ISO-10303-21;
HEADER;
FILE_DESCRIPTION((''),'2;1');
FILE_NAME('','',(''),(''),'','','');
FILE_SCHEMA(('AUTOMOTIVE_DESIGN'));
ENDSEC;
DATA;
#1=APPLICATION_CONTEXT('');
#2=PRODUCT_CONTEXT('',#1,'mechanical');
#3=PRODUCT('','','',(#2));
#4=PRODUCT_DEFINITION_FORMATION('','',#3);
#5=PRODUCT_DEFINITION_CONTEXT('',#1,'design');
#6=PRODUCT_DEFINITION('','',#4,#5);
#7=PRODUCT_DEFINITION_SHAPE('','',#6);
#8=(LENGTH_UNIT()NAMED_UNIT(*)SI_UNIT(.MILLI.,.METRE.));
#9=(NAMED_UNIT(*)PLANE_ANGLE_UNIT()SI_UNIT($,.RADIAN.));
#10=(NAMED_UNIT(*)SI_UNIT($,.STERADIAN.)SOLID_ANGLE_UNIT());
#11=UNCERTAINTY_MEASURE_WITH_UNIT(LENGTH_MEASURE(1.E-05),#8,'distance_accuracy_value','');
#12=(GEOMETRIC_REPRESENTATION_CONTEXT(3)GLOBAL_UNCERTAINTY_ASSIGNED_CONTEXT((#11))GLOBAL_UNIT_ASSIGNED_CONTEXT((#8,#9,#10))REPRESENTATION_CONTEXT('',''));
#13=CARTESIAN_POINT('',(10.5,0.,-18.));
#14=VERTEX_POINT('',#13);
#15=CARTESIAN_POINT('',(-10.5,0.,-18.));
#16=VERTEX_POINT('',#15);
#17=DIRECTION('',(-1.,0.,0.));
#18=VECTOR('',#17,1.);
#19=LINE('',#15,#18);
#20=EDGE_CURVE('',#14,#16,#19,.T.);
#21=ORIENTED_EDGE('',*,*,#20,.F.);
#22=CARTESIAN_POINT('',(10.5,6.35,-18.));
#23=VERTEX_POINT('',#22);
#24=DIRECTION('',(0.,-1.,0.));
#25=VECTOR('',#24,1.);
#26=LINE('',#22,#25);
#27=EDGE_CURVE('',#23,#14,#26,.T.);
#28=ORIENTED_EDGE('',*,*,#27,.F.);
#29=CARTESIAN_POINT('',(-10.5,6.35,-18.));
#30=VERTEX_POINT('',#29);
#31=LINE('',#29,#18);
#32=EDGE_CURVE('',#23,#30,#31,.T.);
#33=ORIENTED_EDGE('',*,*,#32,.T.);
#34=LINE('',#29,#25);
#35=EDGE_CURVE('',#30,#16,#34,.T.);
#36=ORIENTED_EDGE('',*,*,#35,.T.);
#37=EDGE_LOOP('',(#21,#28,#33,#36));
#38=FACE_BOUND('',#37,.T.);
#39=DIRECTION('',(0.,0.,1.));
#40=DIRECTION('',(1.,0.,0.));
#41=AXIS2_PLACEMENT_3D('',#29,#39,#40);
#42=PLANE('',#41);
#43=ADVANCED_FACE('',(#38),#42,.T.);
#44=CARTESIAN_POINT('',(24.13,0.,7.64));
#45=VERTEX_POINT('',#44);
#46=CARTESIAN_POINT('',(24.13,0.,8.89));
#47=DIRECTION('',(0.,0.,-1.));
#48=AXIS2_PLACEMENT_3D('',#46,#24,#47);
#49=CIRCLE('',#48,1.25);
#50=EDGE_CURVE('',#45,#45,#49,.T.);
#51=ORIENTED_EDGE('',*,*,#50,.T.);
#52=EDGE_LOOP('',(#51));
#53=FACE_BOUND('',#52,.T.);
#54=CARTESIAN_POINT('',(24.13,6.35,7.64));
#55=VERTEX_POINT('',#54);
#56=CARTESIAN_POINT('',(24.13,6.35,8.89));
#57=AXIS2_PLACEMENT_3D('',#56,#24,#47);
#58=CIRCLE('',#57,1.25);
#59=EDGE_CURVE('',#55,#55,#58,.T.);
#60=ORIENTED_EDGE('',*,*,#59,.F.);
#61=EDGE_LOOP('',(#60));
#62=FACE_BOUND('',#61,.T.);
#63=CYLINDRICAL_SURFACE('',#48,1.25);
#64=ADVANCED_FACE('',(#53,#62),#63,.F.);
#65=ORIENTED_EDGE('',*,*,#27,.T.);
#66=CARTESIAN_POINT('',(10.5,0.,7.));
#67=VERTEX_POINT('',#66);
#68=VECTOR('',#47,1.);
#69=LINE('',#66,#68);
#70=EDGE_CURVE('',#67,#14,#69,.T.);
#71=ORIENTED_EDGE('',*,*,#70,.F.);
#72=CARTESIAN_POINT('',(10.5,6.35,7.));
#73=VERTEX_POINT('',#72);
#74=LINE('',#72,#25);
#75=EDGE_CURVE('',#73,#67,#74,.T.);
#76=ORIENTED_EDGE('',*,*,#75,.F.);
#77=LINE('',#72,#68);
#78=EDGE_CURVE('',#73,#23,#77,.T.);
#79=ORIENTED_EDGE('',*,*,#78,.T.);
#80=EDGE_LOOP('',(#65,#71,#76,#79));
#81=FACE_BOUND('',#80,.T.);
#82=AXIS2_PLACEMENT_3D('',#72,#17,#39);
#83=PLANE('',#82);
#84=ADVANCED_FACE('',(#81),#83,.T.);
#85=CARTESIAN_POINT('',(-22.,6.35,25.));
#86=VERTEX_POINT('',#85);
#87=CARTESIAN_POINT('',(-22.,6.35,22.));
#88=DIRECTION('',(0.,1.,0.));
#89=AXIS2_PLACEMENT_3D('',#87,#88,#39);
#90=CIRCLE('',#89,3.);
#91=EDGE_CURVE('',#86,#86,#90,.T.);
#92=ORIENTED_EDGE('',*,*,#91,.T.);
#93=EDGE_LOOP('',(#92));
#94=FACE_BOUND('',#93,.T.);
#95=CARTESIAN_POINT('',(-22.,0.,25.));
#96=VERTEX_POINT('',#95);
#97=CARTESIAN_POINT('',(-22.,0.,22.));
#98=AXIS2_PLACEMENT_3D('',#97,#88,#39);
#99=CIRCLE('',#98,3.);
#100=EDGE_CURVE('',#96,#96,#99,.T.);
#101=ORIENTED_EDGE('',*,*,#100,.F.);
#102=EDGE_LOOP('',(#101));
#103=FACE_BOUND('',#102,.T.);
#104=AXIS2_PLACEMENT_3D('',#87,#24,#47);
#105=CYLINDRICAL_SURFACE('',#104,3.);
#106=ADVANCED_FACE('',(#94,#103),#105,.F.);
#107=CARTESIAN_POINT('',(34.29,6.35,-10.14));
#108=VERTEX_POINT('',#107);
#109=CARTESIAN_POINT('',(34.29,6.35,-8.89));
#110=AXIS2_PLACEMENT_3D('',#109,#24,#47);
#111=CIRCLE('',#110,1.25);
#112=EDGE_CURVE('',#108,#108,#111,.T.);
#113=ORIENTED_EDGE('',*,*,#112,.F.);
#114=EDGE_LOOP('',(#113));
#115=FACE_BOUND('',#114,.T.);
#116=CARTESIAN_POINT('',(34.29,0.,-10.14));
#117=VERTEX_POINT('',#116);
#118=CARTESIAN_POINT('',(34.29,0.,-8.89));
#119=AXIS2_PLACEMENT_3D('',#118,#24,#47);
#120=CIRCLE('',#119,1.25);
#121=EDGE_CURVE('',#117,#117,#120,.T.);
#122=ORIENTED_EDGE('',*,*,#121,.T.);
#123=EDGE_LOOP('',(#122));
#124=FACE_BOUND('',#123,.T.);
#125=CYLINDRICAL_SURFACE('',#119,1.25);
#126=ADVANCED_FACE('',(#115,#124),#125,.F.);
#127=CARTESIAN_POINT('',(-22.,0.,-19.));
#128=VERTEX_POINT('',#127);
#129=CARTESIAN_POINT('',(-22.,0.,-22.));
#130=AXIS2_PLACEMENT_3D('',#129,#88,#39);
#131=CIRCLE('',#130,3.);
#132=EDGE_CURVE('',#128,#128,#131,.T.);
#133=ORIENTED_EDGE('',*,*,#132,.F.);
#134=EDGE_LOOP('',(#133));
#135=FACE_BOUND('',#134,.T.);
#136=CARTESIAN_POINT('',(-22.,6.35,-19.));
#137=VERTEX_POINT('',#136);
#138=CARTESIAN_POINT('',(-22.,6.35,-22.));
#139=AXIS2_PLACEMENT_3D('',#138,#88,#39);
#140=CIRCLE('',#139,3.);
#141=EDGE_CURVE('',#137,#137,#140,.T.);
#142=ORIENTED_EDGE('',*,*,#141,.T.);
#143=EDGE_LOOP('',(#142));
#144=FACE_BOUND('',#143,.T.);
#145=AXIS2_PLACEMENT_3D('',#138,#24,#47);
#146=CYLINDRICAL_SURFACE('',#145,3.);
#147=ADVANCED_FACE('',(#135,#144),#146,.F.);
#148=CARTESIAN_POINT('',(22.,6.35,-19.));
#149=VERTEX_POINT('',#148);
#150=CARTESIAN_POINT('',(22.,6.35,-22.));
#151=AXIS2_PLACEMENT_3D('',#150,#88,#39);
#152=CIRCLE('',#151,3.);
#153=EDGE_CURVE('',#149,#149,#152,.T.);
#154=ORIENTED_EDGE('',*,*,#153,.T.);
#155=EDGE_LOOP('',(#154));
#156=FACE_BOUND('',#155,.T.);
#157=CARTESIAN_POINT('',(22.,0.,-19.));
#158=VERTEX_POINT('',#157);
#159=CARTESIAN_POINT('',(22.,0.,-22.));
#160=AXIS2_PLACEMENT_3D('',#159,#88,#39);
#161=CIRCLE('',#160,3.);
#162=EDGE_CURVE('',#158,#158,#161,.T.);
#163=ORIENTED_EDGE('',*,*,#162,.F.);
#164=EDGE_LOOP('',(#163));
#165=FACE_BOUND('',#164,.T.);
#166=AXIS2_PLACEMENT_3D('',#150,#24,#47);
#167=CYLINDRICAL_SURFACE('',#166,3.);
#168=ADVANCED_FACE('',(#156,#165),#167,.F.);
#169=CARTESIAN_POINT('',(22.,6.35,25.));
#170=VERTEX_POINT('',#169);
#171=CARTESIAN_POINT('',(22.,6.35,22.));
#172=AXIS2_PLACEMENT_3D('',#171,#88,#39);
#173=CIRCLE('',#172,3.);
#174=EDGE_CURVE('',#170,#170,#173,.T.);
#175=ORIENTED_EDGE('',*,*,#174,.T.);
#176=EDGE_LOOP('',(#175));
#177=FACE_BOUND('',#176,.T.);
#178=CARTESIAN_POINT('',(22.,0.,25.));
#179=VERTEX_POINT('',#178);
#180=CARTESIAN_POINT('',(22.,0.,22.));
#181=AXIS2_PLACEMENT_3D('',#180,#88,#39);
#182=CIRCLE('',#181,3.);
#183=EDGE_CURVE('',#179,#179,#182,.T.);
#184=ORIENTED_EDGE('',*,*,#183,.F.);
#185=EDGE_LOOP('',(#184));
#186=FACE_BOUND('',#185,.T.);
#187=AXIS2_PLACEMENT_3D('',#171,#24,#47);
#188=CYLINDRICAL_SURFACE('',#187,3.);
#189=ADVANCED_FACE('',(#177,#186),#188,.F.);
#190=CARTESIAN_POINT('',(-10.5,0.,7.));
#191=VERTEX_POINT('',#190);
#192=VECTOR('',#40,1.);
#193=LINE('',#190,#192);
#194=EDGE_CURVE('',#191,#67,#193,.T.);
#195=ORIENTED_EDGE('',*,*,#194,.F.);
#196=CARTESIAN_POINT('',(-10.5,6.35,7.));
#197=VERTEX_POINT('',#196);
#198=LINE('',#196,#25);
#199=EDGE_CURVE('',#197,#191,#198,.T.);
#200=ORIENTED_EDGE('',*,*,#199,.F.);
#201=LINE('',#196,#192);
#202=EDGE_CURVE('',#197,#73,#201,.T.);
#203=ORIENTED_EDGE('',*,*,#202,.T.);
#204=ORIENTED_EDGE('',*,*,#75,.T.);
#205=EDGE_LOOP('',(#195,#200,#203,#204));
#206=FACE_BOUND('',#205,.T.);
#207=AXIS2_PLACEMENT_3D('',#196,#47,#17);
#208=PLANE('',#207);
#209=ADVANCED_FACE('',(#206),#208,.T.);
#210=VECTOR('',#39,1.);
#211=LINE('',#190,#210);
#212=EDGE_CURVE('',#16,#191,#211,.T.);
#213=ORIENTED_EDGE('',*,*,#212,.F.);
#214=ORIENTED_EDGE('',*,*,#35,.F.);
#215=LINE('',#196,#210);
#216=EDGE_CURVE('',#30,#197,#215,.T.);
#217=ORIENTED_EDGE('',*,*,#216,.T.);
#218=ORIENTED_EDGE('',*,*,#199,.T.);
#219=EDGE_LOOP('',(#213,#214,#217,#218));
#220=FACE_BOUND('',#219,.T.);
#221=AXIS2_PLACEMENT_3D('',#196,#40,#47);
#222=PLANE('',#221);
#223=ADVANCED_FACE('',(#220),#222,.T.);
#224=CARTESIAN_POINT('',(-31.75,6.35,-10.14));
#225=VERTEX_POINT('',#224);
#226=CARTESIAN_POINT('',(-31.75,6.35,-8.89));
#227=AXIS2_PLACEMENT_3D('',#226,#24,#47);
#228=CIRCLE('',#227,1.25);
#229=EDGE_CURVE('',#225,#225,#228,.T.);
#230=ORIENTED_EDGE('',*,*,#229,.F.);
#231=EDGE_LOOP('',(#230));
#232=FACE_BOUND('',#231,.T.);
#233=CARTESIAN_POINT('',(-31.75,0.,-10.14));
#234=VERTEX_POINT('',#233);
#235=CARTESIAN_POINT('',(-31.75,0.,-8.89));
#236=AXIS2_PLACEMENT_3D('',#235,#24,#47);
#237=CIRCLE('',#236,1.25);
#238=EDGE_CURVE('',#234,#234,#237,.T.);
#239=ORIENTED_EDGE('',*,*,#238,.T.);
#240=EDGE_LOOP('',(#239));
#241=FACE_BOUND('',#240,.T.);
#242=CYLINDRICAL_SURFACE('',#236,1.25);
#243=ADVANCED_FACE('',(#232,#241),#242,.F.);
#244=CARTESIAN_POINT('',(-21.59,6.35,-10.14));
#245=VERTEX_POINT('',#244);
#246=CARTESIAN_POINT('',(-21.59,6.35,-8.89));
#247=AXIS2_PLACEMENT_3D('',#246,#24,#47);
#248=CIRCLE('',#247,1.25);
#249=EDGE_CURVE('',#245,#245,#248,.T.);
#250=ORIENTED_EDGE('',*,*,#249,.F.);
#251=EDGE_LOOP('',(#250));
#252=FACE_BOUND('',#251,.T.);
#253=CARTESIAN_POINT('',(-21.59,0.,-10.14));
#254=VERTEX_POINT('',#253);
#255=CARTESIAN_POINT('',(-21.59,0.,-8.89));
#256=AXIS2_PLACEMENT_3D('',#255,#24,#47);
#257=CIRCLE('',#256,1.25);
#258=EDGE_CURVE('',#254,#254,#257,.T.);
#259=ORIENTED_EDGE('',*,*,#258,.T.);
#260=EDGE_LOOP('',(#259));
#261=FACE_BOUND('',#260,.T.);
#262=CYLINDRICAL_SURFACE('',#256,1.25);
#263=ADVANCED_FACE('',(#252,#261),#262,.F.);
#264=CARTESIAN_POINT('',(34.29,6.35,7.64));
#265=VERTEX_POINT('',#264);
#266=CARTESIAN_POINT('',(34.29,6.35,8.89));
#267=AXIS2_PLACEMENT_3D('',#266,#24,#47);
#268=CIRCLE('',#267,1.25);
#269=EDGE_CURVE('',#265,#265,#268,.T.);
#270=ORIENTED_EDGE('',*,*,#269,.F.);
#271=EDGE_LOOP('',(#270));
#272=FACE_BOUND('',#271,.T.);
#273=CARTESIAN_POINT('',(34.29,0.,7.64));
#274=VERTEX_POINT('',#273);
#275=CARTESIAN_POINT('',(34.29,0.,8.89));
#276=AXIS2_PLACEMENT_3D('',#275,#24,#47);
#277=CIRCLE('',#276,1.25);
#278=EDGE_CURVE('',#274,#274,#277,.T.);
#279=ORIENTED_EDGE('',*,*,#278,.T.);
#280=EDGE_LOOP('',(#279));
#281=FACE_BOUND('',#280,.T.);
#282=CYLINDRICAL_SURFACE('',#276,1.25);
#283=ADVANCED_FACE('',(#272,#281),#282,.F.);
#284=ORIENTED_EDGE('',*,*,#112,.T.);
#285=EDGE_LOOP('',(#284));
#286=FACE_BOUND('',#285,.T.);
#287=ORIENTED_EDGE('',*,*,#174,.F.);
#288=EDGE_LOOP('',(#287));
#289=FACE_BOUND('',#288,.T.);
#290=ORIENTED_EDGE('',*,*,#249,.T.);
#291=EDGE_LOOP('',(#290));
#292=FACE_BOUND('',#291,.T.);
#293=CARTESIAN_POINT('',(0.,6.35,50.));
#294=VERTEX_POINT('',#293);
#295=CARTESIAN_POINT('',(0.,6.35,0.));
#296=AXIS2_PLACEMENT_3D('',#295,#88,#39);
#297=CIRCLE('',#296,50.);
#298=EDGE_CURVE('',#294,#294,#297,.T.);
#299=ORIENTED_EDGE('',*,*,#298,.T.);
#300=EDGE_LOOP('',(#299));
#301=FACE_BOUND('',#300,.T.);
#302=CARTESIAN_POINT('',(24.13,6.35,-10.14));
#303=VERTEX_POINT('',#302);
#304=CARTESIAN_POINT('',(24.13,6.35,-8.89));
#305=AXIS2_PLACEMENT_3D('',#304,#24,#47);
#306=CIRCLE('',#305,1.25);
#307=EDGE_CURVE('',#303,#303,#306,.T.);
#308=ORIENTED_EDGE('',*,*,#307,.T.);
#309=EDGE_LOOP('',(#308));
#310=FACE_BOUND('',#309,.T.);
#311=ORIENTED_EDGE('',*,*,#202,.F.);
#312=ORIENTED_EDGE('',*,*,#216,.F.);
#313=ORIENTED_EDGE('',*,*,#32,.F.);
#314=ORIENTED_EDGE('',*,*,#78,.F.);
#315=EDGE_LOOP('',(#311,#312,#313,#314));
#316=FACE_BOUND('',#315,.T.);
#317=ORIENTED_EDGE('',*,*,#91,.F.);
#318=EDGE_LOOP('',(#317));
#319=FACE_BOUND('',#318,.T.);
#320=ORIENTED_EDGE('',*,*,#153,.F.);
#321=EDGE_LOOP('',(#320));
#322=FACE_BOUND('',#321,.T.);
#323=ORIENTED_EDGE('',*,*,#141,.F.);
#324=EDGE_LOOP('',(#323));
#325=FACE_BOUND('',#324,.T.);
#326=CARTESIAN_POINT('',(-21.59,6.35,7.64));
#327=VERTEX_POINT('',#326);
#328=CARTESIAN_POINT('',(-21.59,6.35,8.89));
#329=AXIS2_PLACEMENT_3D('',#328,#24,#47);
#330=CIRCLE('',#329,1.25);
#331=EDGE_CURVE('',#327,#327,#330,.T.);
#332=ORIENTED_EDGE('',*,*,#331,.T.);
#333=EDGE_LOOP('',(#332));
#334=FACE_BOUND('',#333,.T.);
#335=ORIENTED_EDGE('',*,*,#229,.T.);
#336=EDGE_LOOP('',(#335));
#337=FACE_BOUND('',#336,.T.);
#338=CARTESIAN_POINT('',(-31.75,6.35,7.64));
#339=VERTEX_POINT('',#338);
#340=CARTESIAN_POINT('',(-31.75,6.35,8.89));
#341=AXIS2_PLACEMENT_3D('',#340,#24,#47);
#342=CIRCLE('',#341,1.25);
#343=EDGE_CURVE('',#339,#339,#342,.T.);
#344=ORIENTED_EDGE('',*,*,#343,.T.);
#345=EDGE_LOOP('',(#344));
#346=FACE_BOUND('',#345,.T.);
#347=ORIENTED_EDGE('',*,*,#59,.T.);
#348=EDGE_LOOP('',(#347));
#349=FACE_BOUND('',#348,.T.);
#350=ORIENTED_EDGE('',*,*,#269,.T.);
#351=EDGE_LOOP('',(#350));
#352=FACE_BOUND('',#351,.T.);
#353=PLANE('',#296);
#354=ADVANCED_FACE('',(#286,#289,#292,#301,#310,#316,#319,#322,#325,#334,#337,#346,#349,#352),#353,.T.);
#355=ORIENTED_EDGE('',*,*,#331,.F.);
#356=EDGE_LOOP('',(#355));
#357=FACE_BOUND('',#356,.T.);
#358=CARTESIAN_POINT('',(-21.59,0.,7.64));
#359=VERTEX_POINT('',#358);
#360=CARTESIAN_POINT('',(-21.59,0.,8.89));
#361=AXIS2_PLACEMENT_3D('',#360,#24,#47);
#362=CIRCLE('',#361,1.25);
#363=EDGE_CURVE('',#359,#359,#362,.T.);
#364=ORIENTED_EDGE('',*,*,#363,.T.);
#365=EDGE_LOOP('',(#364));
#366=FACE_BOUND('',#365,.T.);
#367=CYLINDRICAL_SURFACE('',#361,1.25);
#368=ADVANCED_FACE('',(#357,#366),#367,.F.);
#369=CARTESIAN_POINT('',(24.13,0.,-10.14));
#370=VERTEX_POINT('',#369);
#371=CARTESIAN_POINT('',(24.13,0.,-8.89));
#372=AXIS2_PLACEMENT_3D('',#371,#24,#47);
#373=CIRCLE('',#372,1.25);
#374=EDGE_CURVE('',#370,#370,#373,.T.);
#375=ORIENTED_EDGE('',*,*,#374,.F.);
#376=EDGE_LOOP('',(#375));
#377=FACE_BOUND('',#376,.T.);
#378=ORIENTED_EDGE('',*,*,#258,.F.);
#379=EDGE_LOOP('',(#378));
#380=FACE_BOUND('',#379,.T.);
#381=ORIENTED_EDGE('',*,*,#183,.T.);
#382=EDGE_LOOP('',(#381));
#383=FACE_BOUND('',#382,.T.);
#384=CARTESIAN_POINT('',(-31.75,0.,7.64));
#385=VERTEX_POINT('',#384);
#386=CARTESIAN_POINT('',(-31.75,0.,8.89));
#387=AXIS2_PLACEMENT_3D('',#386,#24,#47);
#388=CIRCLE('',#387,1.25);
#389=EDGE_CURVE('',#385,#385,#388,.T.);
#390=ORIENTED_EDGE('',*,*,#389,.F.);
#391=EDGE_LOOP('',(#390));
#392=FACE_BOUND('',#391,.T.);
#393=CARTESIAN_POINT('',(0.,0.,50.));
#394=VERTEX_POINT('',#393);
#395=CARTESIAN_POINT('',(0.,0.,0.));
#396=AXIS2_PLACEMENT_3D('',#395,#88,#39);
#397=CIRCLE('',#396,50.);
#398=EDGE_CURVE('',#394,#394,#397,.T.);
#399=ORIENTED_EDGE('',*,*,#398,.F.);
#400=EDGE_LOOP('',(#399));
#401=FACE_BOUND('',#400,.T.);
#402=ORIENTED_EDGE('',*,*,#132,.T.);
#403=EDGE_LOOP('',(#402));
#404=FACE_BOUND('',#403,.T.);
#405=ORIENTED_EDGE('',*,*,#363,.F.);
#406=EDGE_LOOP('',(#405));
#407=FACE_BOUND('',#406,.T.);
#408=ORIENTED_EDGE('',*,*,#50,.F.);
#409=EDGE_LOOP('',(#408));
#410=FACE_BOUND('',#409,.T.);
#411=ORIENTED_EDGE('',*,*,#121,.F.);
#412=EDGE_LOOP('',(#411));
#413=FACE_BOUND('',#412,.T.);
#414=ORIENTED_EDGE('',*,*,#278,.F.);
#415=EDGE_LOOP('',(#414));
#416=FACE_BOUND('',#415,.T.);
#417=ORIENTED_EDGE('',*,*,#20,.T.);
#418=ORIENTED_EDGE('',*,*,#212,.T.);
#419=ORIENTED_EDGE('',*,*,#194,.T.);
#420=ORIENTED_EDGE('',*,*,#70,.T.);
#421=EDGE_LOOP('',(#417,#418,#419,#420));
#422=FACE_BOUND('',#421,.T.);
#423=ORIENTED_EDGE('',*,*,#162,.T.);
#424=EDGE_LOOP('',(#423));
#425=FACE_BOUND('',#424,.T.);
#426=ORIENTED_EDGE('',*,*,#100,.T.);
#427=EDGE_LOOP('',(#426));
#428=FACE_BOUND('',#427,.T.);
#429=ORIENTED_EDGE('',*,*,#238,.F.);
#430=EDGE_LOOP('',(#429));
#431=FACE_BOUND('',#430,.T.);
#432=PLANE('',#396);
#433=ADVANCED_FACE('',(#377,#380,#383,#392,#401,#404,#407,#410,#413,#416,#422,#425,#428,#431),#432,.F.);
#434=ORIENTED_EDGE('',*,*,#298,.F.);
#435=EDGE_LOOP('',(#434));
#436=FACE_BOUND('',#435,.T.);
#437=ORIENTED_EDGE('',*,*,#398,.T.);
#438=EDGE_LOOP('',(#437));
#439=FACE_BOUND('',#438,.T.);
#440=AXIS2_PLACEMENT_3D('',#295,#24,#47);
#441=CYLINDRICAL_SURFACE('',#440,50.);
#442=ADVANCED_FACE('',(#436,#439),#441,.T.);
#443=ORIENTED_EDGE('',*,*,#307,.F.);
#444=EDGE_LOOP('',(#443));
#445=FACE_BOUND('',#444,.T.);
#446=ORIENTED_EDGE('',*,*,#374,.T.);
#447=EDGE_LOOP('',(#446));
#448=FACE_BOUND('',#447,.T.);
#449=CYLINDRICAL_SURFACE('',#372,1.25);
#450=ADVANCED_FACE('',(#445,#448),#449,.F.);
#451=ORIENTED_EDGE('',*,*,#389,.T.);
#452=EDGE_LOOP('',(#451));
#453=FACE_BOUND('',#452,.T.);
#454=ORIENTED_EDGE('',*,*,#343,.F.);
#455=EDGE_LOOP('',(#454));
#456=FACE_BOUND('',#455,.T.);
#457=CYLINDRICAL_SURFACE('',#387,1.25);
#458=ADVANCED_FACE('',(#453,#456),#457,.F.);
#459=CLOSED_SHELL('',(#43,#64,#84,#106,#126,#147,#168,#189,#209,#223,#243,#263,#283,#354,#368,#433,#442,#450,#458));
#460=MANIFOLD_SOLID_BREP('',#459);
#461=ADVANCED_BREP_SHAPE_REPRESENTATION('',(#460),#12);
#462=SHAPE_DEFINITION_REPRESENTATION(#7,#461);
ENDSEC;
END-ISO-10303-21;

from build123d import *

# Parameters (mm, degrees)
SKETCH1_R             = 50
SKETCH1_R_2           = 3
SKETCH1_W             = 21
SKETCH1_H             = 25
BOSS_EXTRUDE1_DEPTH   = 6.35
M3X0_5_TAPPED_HOLE1_D = 2.5


with BuildPart() as part:
    # Sketch1 → Boss-Extrude1 (new body)
    with BuildSketch(Plane(origin=(0, 0, 0), x_dir=(1, 0, 0), z_dir=(0, 1, 0))):
        with Locations(Location((0, 0, 0), (0, 0, 270))):
            Circle(SKETCH1_R)
        with Locations(Location((22, 22, 0), (0, 0, 270))):
            Circle(SKETCH1_R_2, mode=Mode.SUBTRACT)
        with Locations(Location((-22, 22, 0), (0, 0, 270))):
            Circle(SKETCH1_R_2, mode=Mode.SUBTRACT)
        with Locations(Location((-22, -22, 0), (0, 0, 270))):
            Circle(SKETCH1_R_2, mode=Mode.SUBTRACT)
        with Locations(Location((22, -22, 0), (0, 0, 270))):
            Circle(SKETCH1_R_2, mode=Mode.SUBTRACT)
        with Locations((0, 5.5)):
            Rectangle(SKETCH1_W, SKETCH1_H, mode=Mode.SUBTRACT)
    extrude(amount=BOSS_EXTRUDE1_DEPTH)

    # M3x0.5 Tapped Hole1 (through all)
    with Locations(Plane(origin=(0, 0, 0), x_dir=(-1, 0, 0), z_dir=(0, -1, 0))):
        with Locations((21.59, 8.89), (-24.13, 8.89), (-24.13, -8.89), (21.59, -8.89), (31.75, 8.89), (-34.29, 8.89), (31.75, -8.89), (-34.29, -8.89)):
            Hole(M3X0_5_TAPPED_HOLE1_D / 2)


solid = part.part
